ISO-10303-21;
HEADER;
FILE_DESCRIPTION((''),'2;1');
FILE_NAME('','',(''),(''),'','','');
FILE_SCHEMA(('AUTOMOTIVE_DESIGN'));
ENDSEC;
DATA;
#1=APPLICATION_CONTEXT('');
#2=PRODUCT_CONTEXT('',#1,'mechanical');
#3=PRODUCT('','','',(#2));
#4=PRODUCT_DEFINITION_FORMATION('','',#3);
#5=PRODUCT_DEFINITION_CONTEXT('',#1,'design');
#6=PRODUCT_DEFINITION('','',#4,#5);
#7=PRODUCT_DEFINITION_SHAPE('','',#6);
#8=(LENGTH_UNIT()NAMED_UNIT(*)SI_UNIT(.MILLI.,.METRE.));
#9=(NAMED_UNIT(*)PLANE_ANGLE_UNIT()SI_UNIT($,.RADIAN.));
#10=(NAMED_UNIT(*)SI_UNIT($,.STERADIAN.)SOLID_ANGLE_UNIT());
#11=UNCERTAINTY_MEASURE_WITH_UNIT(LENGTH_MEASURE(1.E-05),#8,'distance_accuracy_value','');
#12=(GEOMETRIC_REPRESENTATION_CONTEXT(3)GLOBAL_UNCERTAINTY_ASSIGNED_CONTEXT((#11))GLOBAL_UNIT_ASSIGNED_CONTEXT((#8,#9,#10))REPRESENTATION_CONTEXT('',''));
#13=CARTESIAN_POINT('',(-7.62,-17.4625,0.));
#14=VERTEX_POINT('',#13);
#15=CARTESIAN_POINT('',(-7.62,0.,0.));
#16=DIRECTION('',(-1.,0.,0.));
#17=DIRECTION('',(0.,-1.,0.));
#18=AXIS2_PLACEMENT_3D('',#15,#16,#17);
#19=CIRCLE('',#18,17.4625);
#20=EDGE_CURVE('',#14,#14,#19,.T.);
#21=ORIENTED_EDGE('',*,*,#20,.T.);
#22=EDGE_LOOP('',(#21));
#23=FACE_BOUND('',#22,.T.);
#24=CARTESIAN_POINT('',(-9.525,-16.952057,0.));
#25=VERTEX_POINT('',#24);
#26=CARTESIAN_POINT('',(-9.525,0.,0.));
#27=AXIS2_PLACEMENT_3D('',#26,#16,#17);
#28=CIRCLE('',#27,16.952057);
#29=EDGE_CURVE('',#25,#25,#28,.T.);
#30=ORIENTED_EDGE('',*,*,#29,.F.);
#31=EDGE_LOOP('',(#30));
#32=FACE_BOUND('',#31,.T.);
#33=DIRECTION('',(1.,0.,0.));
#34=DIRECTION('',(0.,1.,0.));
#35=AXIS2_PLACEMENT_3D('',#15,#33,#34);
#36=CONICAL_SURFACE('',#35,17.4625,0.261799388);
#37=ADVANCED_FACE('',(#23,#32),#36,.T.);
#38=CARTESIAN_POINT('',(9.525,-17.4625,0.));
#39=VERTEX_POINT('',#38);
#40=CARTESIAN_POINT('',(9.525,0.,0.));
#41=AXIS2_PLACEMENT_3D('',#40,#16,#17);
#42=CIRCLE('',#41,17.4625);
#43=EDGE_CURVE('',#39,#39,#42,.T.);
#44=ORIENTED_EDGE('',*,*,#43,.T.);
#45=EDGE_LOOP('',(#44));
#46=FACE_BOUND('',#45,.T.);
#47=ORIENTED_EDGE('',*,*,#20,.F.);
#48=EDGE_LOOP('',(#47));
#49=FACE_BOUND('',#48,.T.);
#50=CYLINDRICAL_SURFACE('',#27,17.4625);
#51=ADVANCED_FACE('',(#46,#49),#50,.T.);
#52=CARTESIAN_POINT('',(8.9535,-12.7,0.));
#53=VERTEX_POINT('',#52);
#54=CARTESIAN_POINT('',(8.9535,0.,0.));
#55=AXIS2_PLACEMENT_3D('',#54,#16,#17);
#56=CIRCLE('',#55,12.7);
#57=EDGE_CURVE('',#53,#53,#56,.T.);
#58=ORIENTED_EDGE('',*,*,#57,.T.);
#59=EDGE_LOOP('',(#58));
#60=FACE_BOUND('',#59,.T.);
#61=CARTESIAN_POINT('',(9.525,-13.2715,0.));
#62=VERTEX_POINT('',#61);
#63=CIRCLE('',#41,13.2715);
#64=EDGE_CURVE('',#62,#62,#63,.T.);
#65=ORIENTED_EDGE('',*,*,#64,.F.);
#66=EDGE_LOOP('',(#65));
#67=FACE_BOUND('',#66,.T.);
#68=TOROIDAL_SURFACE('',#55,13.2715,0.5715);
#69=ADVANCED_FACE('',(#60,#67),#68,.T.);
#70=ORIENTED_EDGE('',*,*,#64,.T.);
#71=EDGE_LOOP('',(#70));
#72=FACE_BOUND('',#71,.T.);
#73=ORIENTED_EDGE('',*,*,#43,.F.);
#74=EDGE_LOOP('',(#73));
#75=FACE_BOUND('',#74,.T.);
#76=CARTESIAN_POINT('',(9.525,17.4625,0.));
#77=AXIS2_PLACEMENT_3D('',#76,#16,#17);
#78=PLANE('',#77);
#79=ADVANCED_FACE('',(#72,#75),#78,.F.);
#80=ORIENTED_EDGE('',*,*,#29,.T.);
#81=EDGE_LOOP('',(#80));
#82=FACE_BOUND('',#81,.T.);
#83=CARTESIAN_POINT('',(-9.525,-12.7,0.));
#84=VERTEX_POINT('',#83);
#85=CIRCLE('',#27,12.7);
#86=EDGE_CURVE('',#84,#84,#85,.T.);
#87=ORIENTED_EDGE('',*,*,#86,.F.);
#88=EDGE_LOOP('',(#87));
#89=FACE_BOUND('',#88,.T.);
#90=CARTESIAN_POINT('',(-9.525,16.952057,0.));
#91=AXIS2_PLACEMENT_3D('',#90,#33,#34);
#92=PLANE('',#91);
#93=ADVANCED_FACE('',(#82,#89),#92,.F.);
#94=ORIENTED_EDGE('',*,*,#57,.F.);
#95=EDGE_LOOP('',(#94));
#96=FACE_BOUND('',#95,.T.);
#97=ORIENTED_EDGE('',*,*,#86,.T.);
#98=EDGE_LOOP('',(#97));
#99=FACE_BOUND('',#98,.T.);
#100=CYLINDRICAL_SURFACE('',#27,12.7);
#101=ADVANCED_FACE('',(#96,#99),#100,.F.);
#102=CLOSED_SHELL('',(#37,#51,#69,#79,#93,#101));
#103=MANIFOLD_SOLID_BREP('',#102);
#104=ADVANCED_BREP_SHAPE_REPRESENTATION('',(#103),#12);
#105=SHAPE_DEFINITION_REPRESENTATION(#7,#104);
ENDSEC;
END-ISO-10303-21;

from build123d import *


with BuildPart() as part:
    # Sketch1 → Revolve1 (revolve)
    with BuildSketch(Plane.XY):
        with BuildLine():
            Line((-9.525, 16.952056788), (-7.62, 17.4625))
            Line((-7.62, 17.4625), (9.525, 17.4625))
            Line((9.525, 17.4625), (9.525, 13.2715))
            ThreePointArc((9.525, 13.2715), (9.357611525, 12.867388475), (8.9535, 12.7))
            Line((8.9535, 12.7), (-9.525, 12.7))
            Line((-9.525, 12.7), (-9.525, 16.952056788))
        make_face()
    revolve(axis=Axis((-9.525, 0, 0), (1, 0, 0)))


solid = part.part
